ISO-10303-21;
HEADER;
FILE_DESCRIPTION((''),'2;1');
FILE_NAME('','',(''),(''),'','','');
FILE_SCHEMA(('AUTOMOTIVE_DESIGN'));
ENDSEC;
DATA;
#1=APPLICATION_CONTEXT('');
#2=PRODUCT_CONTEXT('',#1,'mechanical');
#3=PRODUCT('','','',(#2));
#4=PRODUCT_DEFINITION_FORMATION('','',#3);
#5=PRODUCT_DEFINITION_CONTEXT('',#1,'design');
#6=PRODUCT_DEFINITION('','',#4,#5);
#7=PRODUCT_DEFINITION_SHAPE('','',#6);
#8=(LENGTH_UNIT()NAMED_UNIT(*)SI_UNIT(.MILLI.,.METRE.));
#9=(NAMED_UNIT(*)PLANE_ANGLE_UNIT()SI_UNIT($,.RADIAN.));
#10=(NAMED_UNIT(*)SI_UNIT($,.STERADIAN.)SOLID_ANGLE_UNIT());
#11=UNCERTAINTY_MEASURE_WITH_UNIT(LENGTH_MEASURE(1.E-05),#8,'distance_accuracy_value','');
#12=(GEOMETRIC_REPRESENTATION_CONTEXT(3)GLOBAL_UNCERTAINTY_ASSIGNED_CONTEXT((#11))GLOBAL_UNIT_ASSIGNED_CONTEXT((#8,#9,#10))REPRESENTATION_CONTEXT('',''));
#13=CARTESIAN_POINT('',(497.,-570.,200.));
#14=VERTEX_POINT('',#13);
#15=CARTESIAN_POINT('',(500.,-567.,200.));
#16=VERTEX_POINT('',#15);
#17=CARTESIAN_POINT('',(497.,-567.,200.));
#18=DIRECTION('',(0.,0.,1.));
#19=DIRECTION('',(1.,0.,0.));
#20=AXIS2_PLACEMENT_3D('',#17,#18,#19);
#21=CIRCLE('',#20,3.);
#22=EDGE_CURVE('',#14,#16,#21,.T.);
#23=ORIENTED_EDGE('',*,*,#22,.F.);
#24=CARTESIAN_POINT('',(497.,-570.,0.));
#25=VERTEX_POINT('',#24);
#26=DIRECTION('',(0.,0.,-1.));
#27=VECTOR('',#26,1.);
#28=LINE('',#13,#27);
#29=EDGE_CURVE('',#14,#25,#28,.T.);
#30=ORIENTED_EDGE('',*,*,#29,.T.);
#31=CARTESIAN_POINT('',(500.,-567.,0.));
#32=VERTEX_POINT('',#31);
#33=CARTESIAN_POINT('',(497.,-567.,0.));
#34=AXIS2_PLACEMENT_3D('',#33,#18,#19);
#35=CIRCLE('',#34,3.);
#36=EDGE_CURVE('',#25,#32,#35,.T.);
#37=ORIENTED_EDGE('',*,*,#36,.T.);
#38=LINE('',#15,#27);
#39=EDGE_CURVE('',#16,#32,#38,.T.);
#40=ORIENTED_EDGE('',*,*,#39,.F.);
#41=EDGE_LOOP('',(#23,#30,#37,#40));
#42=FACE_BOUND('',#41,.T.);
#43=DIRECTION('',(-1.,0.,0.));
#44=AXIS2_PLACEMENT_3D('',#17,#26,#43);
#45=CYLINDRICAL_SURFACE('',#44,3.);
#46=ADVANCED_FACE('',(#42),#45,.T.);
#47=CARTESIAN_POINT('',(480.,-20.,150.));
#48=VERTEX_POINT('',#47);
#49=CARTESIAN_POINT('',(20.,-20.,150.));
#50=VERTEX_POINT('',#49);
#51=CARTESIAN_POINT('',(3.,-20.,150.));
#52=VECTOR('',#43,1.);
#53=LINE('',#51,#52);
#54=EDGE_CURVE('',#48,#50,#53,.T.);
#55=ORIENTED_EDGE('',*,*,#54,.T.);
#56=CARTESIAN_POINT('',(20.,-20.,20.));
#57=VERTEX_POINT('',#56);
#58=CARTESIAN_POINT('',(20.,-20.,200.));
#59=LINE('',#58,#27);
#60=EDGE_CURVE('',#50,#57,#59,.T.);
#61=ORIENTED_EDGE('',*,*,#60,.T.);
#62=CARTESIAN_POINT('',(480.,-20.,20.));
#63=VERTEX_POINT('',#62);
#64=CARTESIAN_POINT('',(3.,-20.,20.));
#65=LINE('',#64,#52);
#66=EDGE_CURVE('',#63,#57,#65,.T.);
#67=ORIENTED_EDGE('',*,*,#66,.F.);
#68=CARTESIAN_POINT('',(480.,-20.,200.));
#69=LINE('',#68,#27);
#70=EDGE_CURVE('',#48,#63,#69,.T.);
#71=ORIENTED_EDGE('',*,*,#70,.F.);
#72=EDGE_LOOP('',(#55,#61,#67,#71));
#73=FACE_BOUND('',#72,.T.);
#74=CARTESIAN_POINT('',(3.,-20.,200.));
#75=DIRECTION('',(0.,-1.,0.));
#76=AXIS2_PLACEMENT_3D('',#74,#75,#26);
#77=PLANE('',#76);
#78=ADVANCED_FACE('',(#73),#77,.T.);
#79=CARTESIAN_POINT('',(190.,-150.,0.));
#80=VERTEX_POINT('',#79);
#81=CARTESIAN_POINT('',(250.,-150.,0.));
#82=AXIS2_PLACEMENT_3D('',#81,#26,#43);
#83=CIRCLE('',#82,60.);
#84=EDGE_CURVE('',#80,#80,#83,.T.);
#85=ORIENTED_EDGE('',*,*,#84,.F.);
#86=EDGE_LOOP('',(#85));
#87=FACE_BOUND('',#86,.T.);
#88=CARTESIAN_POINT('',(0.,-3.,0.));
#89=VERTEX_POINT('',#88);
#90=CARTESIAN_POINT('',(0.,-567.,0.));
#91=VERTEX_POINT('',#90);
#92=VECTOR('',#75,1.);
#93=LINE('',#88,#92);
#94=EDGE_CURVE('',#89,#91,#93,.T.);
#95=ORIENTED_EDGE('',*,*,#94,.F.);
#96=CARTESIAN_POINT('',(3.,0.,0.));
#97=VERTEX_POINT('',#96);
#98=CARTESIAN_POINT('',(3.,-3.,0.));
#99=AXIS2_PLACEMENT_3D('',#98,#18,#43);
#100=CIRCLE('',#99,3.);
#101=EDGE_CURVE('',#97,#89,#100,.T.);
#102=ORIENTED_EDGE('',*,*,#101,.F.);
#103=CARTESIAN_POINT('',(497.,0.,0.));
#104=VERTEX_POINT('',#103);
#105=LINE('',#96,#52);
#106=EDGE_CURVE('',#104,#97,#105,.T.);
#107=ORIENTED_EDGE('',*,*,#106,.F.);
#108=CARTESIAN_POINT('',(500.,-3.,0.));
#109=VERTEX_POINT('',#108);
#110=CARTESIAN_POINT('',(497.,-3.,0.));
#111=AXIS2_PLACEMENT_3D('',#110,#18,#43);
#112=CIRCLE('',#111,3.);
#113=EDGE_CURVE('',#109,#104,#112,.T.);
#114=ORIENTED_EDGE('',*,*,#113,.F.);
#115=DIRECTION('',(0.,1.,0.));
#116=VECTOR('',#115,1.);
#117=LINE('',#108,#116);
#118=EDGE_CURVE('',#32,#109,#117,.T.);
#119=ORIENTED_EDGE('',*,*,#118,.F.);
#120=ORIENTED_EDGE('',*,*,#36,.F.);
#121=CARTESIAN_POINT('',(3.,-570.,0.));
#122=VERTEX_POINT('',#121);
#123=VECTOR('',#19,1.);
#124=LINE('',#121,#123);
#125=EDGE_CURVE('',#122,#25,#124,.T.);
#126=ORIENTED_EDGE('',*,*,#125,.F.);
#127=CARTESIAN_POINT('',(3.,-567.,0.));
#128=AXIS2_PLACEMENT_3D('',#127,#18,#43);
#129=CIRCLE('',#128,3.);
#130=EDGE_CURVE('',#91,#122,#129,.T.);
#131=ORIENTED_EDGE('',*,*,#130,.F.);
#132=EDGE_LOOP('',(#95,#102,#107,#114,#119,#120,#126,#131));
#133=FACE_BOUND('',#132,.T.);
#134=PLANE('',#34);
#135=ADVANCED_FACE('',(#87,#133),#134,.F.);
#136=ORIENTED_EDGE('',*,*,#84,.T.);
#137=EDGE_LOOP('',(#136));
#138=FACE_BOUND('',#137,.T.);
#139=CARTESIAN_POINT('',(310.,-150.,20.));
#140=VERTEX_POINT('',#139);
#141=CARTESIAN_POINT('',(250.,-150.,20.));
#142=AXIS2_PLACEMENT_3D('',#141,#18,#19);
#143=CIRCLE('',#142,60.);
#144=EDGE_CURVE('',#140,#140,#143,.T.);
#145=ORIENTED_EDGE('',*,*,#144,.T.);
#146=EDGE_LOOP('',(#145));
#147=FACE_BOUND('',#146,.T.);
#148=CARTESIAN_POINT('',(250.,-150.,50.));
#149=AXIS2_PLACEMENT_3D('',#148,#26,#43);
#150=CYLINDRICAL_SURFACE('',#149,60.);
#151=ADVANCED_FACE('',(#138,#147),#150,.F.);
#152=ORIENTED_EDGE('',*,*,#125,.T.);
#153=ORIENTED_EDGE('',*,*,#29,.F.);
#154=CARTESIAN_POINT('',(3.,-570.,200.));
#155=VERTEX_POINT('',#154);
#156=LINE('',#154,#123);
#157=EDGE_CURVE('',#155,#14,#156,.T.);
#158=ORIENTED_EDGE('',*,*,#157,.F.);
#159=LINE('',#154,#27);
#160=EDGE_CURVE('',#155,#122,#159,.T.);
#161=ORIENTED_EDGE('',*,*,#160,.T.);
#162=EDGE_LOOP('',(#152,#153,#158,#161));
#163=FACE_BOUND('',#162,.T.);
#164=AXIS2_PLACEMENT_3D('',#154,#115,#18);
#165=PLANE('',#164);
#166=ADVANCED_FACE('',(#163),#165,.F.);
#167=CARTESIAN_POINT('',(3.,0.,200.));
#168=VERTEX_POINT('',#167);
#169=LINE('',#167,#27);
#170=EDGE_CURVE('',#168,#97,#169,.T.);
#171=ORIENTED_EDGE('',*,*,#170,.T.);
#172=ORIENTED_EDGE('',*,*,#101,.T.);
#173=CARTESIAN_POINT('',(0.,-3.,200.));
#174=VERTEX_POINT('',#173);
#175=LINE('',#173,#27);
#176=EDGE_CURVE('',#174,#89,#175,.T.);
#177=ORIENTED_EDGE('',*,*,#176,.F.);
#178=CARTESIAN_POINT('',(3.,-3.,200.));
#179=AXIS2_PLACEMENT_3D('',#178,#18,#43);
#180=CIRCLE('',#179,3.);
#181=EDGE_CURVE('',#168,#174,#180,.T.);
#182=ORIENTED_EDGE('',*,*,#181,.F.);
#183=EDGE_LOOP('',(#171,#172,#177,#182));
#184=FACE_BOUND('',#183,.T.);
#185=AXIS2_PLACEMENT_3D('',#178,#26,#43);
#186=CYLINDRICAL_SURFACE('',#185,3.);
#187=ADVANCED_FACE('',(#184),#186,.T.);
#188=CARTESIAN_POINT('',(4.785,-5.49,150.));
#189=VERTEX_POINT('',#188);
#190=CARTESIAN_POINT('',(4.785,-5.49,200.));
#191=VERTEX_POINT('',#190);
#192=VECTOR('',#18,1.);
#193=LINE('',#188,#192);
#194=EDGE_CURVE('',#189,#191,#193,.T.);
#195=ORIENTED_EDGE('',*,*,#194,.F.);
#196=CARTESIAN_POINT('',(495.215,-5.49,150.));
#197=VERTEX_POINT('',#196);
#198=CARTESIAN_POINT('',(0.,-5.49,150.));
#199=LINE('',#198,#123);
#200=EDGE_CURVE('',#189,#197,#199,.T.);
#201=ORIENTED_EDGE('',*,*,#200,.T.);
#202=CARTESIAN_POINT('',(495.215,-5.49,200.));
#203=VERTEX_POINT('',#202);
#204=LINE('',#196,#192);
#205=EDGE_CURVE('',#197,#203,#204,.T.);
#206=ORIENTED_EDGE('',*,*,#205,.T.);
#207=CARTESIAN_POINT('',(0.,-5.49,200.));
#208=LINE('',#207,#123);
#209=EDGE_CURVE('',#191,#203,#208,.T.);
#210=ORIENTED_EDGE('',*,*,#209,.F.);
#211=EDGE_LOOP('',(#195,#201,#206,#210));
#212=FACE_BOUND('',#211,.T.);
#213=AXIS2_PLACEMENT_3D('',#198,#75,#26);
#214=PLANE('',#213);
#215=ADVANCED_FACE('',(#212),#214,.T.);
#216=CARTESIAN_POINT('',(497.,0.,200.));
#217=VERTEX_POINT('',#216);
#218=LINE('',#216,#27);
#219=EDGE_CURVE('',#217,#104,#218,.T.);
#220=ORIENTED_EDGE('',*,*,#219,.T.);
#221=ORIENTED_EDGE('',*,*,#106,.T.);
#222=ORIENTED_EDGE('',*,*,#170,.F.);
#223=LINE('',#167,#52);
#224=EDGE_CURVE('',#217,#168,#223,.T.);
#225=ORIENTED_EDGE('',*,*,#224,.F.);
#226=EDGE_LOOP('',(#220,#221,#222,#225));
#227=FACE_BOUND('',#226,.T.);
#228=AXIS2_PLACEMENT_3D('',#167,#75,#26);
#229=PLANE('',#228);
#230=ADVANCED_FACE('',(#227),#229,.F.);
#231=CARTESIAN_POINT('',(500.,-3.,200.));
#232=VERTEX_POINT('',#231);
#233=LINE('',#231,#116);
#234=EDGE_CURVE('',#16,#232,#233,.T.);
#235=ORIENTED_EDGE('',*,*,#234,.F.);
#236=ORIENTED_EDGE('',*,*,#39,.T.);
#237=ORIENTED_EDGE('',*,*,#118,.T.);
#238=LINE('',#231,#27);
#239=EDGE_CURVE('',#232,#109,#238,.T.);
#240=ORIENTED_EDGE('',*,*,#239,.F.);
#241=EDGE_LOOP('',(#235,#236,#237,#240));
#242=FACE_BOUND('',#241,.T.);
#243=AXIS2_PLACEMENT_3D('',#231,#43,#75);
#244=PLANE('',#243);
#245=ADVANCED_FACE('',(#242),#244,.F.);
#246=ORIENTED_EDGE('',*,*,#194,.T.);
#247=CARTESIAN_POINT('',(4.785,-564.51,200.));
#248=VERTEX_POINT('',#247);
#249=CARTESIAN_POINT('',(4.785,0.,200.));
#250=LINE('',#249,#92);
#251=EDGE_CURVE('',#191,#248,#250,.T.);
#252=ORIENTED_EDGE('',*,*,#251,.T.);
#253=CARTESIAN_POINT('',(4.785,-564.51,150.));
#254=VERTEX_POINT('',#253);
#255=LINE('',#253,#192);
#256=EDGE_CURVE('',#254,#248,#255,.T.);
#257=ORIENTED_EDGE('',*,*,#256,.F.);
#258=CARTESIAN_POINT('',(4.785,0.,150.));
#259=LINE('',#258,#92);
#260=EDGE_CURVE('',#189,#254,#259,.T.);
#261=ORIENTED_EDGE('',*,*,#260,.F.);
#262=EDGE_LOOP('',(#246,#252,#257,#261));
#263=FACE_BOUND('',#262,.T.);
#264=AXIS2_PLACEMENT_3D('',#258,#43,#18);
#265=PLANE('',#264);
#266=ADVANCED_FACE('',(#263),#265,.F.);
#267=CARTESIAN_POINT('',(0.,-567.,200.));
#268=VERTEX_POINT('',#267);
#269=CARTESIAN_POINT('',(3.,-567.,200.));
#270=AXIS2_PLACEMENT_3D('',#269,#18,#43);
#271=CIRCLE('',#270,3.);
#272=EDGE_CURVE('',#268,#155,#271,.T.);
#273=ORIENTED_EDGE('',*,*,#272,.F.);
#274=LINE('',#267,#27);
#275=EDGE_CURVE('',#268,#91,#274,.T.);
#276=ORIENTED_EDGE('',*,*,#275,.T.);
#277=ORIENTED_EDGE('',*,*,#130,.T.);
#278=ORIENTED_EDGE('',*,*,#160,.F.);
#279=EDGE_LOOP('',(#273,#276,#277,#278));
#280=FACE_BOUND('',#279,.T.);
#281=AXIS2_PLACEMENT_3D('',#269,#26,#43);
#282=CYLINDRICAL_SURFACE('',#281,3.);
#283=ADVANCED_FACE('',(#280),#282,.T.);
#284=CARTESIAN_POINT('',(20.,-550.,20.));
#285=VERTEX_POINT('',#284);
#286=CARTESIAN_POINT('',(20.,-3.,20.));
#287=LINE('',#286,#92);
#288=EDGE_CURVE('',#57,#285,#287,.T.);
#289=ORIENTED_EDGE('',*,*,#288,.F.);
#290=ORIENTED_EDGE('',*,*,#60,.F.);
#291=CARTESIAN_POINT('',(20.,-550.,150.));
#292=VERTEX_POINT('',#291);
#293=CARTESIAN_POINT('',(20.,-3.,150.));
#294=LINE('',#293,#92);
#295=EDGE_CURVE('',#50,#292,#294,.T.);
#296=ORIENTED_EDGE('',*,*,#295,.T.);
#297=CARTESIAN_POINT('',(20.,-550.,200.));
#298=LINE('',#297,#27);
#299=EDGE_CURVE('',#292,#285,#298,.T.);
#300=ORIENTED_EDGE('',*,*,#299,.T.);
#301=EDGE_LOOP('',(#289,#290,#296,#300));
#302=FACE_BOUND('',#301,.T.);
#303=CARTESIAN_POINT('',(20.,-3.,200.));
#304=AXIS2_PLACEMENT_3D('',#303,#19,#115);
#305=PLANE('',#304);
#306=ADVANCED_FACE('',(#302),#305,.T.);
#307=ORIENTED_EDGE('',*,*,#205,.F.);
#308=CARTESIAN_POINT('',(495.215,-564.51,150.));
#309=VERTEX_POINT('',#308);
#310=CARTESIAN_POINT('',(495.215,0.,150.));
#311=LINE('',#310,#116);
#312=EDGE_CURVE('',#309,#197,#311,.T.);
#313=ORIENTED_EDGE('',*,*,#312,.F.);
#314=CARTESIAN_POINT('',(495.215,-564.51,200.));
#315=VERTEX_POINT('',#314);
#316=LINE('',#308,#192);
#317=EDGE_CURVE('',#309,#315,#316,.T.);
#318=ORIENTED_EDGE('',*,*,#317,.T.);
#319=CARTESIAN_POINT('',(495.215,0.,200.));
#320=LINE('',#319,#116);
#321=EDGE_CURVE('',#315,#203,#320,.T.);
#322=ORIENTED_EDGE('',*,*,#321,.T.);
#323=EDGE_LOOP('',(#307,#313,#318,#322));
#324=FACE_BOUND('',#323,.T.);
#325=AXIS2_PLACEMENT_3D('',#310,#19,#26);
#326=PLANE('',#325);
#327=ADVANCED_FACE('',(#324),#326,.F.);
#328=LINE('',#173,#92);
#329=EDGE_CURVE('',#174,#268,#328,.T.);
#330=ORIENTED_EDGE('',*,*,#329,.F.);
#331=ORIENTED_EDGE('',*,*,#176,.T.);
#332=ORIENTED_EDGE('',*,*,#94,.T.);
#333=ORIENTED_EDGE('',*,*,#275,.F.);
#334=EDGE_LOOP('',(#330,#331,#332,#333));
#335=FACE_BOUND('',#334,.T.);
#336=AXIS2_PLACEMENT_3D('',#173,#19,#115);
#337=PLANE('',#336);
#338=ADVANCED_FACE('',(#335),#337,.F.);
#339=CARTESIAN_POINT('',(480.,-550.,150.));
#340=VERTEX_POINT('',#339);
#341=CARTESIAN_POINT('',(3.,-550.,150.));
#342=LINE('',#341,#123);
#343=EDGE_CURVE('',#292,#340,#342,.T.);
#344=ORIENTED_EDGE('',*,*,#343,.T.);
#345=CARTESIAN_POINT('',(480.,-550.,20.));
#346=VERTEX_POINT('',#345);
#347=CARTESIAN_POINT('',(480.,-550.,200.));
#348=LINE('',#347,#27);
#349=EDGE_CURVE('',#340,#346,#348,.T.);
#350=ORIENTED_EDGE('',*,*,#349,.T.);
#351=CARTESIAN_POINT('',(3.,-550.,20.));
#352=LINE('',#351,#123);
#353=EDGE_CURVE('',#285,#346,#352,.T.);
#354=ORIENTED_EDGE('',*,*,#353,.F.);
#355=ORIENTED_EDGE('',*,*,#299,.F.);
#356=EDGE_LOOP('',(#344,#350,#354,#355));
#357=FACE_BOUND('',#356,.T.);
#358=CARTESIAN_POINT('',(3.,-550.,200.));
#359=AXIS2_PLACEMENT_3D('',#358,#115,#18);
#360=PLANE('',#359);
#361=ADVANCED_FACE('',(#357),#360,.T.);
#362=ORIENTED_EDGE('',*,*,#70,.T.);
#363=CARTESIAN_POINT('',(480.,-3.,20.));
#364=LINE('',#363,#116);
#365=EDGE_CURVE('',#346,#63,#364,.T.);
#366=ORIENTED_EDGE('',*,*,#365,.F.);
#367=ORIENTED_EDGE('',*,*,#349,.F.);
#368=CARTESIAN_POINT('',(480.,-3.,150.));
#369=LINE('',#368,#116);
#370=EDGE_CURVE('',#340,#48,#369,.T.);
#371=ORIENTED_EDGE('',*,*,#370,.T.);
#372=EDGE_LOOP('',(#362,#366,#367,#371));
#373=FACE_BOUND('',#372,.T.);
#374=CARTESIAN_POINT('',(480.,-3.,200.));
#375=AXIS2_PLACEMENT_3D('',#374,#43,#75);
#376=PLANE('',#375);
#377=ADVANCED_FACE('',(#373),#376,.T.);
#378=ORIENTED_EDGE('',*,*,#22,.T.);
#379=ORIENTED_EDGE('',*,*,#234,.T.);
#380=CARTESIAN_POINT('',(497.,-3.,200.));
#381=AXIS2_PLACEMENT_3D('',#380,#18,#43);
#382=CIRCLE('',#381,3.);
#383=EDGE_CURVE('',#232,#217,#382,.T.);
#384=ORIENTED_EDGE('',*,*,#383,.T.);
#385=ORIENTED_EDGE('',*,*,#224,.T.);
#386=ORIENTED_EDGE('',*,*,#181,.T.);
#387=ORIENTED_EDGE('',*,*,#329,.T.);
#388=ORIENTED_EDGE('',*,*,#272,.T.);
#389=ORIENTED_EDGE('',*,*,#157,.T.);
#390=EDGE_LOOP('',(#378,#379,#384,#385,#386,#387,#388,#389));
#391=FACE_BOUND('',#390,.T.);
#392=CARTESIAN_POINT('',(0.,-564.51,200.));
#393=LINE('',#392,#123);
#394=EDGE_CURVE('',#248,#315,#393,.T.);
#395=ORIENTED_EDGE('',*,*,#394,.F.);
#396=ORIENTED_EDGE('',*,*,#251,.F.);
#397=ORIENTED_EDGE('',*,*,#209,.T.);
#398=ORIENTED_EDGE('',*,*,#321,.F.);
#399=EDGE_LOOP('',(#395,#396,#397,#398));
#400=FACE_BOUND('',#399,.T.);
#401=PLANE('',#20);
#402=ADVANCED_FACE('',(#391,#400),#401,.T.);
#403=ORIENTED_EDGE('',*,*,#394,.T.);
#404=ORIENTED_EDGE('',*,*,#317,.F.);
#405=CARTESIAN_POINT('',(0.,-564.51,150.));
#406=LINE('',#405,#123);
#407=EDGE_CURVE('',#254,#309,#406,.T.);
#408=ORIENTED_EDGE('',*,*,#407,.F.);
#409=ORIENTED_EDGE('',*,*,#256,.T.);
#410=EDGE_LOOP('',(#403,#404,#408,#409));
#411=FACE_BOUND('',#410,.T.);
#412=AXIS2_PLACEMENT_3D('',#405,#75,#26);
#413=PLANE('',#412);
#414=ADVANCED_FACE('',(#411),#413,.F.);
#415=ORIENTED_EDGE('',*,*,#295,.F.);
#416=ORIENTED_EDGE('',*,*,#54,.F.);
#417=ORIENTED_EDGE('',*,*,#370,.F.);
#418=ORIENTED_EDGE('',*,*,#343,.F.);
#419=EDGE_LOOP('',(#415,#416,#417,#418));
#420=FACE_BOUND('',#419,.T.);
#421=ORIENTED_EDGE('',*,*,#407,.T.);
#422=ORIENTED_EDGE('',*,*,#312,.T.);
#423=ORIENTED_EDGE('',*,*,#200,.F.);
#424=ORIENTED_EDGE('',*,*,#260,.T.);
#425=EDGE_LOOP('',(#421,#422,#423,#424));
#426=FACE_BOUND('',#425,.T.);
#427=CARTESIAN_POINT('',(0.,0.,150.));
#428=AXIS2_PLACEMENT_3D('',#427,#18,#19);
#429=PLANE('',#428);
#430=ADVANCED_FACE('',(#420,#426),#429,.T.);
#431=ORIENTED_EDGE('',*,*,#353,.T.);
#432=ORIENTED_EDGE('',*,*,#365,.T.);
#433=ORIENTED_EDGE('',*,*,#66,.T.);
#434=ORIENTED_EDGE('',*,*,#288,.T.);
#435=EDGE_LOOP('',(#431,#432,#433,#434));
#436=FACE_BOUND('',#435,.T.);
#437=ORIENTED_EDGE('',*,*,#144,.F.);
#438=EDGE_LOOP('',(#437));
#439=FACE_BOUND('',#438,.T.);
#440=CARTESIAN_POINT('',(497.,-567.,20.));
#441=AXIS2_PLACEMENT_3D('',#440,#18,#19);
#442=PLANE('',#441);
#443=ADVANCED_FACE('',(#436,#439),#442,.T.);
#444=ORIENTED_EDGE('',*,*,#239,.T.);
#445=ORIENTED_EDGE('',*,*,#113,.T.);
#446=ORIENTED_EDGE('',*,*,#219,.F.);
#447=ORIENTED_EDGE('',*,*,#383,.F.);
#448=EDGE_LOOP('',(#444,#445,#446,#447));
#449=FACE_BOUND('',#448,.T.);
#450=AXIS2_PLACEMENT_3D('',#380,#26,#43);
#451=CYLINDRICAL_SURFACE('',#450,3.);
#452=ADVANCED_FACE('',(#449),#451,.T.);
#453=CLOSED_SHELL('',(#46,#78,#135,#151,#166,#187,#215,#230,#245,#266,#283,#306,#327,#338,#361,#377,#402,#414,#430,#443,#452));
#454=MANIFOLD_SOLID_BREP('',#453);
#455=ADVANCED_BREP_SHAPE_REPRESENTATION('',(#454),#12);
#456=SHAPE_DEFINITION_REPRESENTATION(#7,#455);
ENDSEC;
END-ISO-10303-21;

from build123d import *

# Parameters (mm, degrees)
EXTRUDE_1_DEPTH     = 200
SHELL_1_T           = -20
CUT_EXTRUDE_1_DEPTH = 50
SKETCH_3_R          = 60
CUT_EXTRUDE_2_DEPTH = 50


with BuildPart() as part:
    # 草图1 → 凸台-拉伸1 (new body)
    with BuildSketch(Plane.XY):
        with BuildLine():
            Line((3, 0), (497, 0))
            ThreePointArc((497, 0), (499.121320344, -0.878679656), (500, -3))
            Line((500, -3), (500, -567))
            ThreePointArc((500, -567), (499.121320344, -569.121320344), (497, -570))
            Line((497, -570), (3, -570))
            ThreePointArc((3, -570), (0.878679656, -569.121320344), (0, -567))
            Line((0, -567), (0, -3))
            ThreePointArc((0, -3), (0.878679656, -0.878679656), (3, 0))
        make_face()
    extrude(amount=EXTRUDE_1_DEPTH)

    # 抽壳1
    shell_1_openings = [part.faces().sort_by_distance(p)[0] for p in [
        (250, -285, 200),
    ]]
    offset(amount=SHELL_1_T, openings=shell_1_openings, kind=Kind.INTERSECTION)

    # 草图2 → 切除-拉伸1 (cut)
    with BuildSketch(Plane.XY.offset(200)):
        Polygon((4.785, -5.49), (495.215, -5.49), (495.215, -20), (495.215, -550), (495.215, -564.51), (4.785, -564.51), (4.785, -550), (4.785, -20), align=None)
    extrude(amount=-CUT_EXTRUDE_1_DEPTH, mode=Mode.SUBTRACT)

    # 草图3 → 切除-拉伸2 (cut)
    with BuildSketch(Plane(origin=(0, 0, 0), x_dir=(-1, 0, 0), z_dir=(0, 0, -1))):
        with Locations((-250, -150)):
            Circle(SKETCH_3_R)
    extrude(amount=-CUT_EXTRUDE_2_DEPTH, mode=Mode.SUBTRACT)


solid = part.part
